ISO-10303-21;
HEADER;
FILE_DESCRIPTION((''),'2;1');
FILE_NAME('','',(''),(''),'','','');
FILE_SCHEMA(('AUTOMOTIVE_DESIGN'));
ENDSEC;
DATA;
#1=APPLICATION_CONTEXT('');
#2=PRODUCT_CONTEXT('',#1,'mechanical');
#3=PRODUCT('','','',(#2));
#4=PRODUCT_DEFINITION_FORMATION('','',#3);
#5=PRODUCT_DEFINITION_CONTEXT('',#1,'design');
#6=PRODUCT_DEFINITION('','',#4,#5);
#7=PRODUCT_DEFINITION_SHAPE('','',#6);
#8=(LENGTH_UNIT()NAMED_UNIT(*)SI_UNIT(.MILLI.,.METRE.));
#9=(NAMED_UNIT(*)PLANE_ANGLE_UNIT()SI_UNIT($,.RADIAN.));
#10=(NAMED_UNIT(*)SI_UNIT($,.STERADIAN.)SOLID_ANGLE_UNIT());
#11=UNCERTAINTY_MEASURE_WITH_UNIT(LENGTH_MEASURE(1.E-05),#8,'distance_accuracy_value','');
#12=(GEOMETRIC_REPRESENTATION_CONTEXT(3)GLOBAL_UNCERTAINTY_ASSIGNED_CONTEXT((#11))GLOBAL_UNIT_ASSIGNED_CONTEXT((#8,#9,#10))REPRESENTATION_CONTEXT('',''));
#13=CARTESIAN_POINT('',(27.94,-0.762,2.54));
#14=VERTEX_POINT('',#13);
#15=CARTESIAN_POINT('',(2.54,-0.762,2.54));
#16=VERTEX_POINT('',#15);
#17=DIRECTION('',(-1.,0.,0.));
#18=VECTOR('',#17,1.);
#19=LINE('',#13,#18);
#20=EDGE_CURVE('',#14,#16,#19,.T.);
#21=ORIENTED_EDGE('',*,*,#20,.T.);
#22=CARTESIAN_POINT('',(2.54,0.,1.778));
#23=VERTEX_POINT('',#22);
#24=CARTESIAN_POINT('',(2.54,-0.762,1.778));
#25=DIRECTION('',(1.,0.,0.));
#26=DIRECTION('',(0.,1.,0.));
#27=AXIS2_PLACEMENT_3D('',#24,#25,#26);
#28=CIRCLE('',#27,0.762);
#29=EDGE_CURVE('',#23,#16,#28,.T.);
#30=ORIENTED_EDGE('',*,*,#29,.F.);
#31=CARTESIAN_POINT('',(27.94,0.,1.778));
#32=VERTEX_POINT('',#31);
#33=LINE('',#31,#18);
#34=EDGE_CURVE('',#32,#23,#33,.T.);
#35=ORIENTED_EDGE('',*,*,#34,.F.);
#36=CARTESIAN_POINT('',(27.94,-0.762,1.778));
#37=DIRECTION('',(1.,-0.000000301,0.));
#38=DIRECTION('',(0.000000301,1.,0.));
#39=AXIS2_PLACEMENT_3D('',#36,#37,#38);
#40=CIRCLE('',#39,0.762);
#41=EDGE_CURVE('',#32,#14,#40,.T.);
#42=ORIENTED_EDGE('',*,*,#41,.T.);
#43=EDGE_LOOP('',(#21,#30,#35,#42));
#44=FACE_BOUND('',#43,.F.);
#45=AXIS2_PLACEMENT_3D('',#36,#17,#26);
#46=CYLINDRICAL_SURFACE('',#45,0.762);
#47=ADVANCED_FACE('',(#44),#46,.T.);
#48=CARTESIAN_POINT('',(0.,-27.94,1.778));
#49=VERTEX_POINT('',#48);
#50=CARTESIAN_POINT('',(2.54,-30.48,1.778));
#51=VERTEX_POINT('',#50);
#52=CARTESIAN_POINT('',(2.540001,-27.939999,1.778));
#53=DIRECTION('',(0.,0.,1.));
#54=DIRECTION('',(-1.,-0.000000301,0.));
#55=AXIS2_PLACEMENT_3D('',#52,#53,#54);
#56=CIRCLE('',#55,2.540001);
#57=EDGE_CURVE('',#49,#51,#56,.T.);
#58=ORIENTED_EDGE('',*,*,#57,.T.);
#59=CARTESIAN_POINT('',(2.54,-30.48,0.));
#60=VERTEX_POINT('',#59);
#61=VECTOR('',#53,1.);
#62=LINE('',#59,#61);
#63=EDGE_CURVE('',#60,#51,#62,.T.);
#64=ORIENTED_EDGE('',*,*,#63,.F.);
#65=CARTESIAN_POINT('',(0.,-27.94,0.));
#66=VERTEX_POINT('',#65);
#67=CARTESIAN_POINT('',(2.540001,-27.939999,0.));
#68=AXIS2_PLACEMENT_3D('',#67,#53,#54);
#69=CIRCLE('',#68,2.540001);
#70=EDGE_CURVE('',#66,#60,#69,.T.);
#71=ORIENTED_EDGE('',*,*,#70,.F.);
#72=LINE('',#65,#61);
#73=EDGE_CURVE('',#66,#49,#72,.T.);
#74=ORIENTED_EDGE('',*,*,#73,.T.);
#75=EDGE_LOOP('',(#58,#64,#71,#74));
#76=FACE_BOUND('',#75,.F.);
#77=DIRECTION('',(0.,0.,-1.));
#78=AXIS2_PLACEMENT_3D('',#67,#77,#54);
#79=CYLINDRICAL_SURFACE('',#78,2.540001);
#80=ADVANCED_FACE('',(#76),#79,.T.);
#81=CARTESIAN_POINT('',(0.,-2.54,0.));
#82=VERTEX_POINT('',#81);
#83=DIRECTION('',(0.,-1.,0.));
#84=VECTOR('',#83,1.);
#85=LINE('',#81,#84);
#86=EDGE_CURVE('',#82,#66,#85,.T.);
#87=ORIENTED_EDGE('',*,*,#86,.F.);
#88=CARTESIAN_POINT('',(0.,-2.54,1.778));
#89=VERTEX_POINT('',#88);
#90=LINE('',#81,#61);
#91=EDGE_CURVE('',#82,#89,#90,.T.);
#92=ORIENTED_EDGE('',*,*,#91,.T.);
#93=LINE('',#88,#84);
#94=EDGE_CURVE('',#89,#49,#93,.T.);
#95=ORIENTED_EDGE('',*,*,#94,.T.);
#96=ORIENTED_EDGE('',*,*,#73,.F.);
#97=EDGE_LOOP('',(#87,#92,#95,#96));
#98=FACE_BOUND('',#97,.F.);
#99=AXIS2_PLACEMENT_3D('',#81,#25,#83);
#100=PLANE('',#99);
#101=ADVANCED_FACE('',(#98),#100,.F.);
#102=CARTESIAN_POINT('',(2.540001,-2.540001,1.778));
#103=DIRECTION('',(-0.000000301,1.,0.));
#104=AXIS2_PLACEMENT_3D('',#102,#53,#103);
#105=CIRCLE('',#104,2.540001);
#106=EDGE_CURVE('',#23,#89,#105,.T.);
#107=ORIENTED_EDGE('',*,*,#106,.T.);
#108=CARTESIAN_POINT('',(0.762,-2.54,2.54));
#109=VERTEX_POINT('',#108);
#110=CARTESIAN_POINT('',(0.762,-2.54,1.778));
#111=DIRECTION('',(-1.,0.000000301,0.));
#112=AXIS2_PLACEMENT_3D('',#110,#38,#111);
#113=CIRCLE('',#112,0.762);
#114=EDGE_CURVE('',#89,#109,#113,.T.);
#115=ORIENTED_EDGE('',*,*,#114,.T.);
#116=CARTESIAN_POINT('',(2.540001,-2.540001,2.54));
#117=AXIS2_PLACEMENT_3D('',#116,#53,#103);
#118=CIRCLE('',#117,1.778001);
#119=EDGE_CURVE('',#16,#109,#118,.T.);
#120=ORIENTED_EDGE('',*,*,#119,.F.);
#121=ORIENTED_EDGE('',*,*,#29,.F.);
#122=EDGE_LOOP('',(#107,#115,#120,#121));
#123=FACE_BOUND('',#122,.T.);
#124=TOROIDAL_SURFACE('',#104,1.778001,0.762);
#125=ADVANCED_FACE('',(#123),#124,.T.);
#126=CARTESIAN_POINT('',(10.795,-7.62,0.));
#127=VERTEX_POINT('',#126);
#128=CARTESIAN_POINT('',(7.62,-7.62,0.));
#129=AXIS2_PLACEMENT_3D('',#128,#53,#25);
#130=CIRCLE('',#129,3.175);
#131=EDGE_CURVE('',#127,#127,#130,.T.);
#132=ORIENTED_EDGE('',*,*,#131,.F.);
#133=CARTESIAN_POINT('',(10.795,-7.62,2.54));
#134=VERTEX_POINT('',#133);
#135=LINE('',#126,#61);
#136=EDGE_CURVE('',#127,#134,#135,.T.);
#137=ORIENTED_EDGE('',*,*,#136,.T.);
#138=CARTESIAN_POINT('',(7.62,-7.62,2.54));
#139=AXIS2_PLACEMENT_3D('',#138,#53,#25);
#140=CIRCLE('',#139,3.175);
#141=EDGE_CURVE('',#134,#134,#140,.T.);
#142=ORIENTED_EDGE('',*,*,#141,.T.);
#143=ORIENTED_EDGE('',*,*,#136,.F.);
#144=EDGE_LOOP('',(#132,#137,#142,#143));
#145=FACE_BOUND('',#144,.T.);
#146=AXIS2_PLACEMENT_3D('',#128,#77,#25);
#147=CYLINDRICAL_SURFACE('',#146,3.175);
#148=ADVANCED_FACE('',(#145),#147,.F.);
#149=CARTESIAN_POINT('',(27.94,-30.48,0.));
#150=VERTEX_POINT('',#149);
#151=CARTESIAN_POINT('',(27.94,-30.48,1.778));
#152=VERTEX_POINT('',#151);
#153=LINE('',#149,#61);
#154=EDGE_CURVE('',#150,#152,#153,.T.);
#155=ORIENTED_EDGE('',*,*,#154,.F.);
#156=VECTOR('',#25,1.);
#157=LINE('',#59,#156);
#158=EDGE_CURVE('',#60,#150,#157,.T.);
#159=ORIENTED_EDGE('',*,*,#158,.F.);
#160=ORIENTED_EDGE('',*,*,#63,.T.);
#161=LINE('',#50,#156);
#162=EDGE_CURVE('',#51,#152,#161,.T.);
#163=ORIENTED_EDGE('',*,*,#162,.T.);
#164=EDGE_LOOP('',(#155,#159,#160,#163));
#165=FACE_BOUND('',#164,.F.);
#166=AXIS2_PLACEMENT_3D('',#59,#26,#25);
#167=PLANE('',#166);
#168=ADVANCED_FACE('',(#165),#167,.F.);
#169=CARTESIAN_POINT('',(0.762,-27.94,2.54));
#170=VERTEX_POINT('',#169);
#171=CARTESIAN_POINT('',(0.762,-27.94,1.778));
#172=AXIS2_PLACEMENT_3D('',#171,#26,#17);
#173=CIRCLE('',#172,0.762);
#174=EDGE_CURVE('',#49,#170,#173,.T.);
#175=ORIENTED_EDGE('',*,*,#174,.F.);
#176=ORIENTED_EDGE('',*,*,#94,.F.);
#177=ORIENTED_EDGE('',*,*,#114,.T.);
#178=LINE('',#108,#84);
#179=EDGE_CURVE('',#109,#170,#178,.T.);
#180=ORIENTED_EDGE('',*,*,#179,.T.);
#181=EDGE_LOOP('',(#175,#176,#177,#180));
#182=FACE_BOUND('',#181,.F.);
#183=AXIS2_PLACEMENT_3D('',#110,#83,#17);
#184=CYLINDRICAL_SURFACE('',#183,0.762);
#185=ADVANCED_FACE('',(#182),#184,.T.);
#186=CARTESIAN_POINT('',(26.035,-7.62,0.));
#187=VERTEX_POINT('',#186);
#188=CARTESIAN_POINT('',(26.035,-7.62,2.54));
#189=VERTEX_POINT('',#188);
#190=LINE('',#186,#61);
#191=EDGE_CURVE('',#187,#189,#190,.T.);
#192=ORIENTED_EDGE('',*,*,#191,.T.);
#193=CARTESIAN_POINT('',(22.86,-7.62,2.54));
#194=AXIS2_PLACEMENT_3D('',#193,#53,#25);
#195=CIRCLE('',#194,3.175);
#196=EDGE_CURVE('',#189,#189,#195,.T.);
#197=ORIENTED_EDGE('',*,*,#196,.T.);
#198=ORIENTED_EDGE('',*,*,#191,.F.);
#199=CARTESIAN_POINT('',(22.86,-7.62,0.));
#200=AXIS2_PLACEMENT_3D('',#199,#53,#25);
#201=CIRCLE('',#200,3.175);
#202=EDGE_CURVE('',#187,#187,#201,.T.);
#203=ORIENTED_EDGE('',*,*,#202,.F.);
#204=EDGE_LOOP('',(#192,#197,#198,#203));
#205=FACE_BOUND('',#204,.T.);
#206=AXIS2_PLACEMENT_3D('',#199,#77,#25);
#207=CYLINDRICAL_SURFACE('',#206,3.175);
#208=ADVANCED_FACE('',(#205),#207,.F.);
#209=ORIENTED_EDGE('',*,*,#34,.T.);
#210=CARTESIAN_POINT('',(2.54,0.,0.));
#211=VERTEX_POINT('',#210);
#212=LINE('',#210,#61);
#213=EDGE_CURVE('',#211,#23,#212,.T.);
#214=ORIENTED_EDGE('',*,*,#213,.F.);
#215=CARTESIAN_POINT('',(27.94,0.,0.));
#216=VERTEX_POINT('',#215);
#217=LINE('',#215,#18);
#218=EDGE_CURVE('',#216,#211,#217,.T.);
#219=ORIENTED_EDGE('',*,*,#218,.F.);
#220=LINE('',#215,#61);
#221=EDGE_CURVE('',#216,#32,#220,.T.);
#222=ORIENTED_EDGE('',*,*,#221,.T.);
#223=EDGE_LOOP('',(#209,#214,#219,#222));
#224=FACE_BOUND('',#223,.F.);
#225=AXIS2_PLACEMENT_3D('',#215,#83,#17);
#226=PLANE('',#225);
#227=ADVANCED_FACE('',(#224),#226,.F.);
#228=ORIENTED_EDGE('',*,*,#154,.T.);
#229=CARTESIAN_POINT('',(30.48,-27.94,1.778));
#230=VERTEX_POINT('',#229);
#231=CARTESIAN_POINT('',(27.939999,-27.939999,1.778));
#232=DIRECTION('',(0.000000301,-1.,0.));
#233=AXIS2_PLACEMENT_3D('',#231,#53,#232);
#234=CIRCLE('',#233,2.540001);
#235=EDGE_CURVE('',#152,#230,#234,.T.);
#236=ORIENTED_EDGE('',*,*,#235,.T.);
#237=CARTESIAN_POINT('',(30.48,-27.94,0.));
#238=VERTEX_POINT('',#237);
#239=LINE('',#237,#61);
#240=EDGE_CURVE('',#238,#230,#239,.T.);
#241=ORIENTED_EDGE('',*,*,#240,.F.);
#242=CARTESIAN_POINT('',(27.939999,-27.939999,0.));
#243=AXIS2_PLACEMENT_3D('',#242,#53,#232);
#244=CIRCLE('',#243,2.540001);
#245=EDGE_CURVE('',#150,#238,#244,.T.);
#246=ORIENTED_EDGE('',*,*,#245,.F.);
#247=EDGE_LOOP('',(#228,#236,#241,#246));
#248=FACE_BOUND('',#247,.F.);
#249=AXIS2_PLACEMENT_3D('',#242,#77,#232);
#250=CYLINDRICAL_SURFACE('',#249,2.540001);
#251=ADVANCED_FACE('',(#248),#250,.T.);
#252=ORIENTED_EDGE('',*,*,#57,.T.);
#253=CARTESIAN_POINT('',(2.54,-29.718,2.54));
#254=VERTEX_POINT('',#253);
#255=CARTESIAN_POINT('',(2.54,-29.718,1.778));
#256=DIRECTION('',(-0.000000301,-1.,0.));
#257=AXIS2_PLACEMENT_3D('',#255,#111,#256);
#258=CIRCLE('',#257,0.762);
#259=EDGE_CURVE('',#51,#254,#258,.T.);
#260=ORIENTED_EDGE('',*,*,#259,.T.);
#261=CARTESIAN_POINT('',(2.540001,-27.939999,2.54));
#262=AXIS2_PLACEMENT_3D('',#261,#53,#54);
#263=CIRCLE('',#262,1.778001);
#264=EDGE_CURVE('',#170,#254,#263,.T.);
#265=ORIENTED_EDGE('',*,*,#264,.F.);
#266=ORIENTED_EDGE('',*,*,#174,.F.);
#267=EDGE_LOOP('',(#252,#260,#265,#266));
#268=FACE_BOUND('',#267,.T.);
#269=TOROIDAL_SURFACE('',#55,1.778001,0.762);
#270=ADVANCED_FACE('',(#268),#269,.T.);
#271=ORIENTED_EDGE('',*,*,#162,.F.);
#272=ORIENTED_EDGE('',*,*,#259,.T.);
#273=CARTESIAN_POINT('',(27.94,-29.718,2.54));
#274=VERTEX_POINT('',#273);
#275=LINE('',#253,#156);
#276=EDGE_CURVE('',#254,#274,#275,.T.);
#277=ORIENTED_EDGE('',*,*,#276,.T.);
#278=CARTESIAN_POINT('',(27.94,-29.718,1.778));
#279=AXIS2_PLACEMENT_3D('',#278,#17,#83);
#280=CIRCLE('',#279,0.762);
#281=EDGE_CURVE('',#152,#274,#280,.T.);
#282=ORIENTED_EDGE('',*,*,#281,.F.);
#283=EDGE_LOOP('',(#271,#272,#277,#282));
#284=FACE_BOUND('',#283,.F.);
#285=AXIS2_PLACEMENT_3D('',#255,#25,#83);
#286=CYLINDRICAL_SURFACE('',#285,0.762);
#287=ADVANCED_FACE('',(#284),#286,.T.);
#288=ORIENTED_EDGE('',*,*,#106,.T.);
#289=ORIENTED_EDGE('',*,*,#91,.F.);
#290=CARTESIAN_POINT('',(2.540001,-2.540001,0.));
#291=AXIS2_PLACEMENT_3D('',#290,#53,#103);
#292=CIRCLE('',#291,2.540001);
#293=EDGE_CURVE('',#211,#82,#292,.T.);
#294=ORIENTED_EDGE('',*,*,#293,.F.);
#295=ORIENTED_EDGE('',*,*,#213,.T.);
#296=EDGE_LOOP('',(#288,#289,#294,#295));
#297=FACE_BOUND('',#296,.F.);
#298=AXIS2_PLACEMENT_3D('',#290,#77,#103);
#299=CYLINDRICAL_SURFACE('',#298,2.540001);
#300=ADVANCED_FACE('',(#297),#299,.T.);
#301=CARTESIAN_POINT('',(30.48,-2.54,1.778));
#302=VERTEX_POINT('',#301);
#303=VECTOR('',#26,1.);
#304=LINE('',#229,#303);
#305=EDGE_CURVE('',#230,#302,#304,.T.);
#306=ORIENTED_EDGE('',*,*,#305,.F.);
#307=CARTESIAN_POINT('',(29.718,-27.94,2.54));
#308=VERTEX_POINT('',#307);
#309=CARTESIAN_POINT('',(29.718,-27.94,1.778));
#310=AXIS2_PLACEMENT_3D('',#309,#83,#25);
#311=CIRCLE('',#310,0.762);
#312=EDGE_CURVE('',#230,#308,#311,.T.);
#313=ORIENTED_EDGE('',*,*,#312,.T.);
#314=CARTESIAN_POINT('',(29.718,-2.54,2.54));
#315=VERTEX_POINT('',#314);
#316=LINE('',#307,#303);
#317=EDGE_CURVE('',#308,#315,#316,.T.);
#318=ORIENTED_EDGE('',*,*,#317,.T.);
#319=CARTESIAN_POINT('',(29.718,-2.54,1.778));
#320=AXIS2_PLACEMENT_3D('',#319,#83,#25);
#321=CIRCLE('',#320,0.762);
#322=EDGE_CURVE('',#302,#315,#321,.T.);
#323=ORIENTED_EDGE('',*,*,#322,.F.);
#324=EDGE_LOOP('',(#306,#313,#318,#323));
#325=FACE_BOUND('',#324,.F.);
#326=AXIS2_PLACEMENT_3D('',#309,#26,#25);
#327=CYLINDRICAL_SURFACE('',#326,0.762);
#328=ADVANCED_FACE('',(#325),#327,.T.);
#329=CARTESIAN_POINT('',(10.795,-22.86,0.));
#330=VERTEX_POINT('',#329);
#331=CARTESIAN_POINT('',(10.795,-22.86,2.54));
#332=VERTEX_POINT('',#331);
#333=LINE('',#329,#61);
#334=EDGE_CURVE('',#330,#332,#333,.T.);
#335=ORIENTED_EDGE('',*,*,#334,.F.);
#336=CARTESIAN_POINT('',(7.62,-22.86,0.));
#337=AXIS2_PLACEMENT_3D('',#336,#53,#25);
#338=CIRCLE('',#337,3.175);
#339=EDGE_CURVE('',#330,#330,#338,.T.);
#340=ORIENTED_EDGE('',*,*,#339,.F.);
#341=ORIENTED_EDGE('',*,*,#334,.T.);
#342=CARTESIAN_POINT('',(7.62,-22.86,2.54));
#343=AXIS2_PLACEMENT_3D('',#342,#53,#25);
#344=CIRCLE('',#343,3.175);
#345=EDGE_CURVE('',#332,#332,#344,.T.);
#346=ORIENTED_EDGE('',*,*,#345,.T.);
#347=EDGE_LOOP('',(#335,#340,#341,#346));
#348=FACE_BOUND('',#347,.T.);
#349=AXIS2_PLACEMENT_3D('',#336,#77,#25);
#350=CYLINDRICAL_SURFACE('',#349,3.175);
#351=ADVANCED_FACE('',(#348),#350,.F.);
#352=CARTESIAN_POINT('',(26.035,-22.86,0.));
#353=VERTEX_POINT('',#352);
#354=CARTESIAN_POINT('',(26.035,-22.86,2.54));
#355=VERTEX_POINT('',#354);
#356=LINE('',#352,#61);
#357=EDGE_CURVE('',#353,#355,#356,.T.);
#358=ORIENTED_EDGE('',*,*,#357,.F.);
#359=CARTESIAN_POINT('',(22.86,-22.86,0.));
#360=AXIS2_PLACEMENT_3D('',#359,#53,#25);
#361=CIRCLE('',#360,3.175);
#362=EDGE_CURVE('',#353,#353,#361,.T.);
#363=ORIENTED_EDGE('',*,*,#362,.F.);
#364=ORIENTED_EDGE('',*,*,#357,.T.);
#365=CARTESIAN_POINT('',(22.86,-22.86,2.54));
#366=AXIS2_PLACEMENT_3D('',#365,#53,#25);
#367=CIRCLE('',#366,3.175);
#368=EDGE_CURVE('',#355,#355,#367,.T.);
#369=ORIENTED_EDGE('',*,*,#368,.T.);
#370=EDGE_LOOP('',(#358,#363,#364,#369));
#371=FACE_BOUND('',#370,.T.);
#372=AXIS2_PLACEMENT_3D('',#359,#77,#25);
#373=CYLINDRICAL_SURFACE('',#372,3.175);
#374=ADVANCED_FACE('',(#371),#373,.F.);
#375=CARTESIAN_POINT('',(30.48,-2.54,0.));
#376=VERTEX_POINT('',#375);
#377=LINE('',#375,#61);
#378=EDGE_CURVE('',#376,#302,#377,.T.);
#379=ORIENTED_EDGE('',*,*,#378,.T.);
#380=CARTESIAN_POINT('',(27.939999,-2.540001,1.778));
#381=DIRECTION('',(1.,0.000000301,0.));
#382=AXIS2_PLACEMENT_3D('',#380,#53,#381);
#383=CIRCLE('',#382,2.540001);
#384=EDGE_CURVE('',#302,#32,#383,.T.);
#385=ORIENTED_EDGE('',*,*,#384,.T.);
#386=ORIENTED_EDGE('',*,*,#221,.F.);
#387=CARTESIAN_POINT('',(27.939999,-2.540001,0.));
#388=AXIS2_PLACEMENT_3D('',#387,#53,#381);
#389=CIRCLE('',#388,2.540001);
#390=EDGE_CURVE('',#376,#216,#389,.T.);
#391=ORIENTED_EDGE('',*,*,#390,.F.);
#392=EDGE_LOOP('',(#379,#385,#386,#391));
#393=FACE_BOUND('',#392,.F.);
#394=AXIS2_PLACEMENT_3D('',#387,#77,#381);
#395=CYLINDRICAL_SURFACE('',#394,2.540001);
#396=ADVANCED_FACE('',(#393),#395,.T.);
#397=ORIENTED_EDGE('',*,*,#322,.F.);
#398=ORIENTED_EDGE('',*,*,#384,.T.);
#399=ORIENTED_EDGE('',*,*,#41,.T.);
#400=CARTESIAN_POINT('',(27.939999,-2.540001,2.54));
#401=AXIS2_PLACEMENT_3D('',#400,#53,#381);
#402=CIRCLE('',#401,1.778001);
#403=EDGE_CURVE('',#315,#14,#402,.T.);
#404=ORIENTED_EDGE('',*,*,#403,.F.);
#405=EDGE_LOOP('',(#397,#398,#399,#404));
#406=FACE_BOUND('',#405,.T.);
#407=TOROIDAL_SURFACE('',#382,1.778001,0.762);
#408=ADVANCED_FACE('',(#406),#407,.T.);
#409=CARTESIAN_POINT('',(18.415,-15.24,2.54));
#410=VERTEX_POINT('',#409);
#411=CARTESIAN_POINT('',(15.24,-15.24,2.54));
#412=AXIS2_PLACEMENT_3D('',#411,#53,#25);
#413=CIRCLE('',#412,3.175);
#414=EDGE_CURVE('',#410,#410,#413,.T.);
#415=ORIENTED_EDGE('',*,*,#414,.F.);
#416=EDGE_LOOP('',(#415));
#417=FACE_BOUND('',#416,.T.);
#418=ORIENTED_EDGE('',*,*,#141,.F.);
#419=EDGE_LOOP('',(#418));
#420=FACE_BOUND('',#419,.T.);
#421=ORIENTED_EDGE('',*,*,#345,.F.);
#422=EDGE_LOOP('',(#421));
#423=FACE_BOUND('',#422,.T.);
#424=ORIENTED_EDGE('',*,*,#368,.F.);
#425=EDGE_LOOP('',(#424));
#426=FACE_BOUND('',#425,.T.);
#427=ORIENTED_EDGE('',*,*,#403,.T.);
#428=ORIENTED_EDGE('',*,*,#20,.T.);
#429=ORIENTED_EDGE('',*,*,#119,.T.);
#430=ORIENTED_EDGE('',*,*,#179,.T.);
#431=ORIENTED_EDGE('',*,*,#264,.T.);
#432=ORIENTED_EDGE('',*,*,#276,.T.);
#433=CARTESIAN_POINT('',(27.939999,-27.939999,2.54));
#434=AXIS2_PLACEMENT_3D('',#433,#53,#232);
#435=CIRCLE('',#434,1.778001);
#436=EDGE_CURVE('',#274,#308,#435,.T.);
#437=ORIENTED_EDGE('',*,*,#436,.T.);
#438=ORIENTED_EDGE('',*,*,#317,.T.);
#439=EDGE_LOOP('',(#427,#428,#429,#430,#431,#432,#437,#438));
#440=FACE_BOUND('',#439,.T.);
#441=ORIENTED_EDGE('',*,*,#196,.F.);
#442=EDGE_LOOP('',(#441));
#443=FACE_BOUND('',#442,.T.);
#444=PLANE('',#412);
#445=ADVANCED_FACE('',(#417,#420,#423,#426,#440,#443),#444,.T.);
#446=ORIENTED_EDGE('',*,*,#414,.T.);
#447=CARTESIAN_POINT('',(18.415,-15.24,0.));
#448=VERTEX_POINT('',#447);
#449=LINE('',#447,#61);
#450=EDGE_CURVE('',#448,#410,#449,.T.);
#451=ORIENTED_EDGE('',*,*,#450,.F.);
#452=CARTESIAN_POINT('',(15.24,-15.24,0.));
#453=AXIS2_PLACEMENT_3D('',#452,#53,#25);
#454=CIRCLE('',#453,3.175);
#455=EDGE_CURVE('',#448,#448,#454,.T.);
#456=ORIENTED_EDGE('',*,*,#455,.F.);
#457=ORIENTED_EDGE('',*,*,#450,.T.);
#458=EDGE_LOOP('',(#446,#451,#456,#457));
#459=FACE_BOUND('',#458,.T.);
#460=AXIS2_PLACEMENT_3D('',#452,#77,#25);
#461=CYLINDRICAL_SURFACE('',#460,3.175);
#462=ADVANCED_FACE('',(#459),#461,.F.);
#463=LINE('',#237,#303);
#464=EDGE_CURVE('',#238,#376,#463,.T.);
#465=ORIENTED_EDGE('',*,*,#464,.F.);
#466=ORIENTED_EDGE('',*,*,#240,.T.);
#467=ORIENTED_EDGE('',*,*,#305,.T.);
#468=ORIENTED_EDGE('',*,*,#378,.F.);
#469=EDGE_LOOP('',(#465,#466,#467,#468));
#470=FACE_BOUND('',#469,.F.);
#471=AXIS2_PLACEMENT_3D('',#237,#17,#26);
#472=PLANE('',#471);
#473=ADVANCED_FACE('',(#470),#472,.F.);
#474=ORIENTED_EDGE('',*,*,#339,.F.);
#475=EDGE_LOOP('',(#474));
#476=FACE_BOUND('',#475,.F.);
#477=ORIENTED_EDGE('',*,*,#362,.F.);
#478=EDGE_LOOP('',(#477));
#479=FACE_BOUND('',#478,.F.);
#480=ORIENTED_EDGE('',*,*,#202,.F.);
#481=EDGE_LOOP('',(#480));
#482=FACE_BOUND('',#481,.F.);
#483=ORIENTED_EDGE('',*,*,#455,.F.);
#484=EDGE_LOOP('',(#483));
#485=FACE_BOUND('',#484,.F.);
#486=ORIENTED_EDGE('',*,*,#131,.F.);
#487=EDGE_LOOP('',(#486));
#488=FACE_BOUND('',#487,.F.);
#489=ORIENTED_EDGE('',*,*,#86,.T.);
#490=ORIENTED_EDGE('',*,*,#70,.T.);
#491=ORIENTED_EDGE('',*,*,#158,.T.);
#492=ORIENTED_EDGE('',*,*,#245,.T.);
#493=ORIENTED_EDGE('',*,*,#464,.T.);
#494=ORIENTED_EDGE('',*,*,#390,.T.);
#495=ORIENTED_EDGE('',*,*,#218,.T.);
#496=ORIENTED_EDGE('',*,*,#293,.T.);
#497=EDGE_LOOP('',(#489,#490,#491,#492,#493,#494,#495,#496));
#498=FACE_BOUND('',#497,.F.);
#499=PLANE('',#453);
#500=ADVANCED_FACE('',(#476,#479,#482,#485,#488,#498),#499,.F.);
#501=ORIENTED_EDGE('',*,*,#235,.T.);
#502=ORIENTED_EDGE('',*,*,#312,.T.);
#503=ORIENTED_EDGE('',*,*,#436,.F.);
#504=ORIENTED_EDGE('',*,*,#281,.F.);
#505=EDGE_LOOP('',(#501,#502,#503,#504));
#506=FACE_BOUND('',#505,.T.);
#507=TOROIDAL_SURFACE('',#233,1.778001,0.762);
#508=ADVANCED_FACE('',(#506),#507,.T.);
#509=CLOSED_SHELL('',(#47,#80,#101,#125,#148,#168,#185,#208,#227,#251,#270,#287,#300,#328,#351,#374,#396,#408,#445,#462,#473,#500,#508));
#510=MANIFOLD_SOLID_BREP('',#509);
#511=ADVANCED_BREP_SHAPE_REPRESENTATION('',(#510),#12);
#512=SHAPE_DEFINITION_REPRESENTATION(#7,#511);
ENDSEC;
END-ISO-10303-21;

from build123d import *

# Parameters (mm, degrees)
F0_R     = 3.175
F1_DEPTH = 2.54
F2_R     = 0.762


with BuildPart() as f1:
    # F0 (on Top) → F1 (new body)
    with BuildSketch(Plane.XY):
        with BuildLine():
            Line((27.94, 0), (2.54, 0))
            ThreePointArc((2.54, 0), (0.743949, -0.743949), (0, -2.54))
            Line((0, -2.54), (0, -27.94))
            ThreePointArc((0, -27.94), (0.743949, -29.736051), (2.54, -30.48))
            Line((2.54, -30.48), (27.94, -30.48))
            ThreePointArc((27.94, -30.48), (29.736051, -29.736051), (30.48, -27.94))
            Line((30.48, -27.94), (30.48, -2.54))
            ThreePointArc((30.48, -2.54), (29.736051, -0.743949), (27.94, 0))
        make_face()
        with Locations((7.62, -22.86)):
            Circle(F0_R, mode=Mode.SUBTRACT)
        with Locations((22.86, -22.86)):
            Circle(F0_R, mode=Mode.SUBTRACT)
        with Locations((15.24, -15.24)):
            Circle(F0_R, mode=Mode.SUBTRACT)
        with Locations((7.62, -7.62)):
            Circle(F0_R, mode=Mode.SUBTRACT)
        with Locations((22.86, -7.62)):
            Circle(F0_R, mode=Mode.SUBTRACT)
    extrude(amount=F1_DEPTH)

    # F2
    f2_edges = [f1.edges().sort_by_distance(p)[0] for p in [
        (30.48, -15.24, 2.54),
    ]]
    fillet(f2_edges, radius=F2_R)


solid = f1.part
